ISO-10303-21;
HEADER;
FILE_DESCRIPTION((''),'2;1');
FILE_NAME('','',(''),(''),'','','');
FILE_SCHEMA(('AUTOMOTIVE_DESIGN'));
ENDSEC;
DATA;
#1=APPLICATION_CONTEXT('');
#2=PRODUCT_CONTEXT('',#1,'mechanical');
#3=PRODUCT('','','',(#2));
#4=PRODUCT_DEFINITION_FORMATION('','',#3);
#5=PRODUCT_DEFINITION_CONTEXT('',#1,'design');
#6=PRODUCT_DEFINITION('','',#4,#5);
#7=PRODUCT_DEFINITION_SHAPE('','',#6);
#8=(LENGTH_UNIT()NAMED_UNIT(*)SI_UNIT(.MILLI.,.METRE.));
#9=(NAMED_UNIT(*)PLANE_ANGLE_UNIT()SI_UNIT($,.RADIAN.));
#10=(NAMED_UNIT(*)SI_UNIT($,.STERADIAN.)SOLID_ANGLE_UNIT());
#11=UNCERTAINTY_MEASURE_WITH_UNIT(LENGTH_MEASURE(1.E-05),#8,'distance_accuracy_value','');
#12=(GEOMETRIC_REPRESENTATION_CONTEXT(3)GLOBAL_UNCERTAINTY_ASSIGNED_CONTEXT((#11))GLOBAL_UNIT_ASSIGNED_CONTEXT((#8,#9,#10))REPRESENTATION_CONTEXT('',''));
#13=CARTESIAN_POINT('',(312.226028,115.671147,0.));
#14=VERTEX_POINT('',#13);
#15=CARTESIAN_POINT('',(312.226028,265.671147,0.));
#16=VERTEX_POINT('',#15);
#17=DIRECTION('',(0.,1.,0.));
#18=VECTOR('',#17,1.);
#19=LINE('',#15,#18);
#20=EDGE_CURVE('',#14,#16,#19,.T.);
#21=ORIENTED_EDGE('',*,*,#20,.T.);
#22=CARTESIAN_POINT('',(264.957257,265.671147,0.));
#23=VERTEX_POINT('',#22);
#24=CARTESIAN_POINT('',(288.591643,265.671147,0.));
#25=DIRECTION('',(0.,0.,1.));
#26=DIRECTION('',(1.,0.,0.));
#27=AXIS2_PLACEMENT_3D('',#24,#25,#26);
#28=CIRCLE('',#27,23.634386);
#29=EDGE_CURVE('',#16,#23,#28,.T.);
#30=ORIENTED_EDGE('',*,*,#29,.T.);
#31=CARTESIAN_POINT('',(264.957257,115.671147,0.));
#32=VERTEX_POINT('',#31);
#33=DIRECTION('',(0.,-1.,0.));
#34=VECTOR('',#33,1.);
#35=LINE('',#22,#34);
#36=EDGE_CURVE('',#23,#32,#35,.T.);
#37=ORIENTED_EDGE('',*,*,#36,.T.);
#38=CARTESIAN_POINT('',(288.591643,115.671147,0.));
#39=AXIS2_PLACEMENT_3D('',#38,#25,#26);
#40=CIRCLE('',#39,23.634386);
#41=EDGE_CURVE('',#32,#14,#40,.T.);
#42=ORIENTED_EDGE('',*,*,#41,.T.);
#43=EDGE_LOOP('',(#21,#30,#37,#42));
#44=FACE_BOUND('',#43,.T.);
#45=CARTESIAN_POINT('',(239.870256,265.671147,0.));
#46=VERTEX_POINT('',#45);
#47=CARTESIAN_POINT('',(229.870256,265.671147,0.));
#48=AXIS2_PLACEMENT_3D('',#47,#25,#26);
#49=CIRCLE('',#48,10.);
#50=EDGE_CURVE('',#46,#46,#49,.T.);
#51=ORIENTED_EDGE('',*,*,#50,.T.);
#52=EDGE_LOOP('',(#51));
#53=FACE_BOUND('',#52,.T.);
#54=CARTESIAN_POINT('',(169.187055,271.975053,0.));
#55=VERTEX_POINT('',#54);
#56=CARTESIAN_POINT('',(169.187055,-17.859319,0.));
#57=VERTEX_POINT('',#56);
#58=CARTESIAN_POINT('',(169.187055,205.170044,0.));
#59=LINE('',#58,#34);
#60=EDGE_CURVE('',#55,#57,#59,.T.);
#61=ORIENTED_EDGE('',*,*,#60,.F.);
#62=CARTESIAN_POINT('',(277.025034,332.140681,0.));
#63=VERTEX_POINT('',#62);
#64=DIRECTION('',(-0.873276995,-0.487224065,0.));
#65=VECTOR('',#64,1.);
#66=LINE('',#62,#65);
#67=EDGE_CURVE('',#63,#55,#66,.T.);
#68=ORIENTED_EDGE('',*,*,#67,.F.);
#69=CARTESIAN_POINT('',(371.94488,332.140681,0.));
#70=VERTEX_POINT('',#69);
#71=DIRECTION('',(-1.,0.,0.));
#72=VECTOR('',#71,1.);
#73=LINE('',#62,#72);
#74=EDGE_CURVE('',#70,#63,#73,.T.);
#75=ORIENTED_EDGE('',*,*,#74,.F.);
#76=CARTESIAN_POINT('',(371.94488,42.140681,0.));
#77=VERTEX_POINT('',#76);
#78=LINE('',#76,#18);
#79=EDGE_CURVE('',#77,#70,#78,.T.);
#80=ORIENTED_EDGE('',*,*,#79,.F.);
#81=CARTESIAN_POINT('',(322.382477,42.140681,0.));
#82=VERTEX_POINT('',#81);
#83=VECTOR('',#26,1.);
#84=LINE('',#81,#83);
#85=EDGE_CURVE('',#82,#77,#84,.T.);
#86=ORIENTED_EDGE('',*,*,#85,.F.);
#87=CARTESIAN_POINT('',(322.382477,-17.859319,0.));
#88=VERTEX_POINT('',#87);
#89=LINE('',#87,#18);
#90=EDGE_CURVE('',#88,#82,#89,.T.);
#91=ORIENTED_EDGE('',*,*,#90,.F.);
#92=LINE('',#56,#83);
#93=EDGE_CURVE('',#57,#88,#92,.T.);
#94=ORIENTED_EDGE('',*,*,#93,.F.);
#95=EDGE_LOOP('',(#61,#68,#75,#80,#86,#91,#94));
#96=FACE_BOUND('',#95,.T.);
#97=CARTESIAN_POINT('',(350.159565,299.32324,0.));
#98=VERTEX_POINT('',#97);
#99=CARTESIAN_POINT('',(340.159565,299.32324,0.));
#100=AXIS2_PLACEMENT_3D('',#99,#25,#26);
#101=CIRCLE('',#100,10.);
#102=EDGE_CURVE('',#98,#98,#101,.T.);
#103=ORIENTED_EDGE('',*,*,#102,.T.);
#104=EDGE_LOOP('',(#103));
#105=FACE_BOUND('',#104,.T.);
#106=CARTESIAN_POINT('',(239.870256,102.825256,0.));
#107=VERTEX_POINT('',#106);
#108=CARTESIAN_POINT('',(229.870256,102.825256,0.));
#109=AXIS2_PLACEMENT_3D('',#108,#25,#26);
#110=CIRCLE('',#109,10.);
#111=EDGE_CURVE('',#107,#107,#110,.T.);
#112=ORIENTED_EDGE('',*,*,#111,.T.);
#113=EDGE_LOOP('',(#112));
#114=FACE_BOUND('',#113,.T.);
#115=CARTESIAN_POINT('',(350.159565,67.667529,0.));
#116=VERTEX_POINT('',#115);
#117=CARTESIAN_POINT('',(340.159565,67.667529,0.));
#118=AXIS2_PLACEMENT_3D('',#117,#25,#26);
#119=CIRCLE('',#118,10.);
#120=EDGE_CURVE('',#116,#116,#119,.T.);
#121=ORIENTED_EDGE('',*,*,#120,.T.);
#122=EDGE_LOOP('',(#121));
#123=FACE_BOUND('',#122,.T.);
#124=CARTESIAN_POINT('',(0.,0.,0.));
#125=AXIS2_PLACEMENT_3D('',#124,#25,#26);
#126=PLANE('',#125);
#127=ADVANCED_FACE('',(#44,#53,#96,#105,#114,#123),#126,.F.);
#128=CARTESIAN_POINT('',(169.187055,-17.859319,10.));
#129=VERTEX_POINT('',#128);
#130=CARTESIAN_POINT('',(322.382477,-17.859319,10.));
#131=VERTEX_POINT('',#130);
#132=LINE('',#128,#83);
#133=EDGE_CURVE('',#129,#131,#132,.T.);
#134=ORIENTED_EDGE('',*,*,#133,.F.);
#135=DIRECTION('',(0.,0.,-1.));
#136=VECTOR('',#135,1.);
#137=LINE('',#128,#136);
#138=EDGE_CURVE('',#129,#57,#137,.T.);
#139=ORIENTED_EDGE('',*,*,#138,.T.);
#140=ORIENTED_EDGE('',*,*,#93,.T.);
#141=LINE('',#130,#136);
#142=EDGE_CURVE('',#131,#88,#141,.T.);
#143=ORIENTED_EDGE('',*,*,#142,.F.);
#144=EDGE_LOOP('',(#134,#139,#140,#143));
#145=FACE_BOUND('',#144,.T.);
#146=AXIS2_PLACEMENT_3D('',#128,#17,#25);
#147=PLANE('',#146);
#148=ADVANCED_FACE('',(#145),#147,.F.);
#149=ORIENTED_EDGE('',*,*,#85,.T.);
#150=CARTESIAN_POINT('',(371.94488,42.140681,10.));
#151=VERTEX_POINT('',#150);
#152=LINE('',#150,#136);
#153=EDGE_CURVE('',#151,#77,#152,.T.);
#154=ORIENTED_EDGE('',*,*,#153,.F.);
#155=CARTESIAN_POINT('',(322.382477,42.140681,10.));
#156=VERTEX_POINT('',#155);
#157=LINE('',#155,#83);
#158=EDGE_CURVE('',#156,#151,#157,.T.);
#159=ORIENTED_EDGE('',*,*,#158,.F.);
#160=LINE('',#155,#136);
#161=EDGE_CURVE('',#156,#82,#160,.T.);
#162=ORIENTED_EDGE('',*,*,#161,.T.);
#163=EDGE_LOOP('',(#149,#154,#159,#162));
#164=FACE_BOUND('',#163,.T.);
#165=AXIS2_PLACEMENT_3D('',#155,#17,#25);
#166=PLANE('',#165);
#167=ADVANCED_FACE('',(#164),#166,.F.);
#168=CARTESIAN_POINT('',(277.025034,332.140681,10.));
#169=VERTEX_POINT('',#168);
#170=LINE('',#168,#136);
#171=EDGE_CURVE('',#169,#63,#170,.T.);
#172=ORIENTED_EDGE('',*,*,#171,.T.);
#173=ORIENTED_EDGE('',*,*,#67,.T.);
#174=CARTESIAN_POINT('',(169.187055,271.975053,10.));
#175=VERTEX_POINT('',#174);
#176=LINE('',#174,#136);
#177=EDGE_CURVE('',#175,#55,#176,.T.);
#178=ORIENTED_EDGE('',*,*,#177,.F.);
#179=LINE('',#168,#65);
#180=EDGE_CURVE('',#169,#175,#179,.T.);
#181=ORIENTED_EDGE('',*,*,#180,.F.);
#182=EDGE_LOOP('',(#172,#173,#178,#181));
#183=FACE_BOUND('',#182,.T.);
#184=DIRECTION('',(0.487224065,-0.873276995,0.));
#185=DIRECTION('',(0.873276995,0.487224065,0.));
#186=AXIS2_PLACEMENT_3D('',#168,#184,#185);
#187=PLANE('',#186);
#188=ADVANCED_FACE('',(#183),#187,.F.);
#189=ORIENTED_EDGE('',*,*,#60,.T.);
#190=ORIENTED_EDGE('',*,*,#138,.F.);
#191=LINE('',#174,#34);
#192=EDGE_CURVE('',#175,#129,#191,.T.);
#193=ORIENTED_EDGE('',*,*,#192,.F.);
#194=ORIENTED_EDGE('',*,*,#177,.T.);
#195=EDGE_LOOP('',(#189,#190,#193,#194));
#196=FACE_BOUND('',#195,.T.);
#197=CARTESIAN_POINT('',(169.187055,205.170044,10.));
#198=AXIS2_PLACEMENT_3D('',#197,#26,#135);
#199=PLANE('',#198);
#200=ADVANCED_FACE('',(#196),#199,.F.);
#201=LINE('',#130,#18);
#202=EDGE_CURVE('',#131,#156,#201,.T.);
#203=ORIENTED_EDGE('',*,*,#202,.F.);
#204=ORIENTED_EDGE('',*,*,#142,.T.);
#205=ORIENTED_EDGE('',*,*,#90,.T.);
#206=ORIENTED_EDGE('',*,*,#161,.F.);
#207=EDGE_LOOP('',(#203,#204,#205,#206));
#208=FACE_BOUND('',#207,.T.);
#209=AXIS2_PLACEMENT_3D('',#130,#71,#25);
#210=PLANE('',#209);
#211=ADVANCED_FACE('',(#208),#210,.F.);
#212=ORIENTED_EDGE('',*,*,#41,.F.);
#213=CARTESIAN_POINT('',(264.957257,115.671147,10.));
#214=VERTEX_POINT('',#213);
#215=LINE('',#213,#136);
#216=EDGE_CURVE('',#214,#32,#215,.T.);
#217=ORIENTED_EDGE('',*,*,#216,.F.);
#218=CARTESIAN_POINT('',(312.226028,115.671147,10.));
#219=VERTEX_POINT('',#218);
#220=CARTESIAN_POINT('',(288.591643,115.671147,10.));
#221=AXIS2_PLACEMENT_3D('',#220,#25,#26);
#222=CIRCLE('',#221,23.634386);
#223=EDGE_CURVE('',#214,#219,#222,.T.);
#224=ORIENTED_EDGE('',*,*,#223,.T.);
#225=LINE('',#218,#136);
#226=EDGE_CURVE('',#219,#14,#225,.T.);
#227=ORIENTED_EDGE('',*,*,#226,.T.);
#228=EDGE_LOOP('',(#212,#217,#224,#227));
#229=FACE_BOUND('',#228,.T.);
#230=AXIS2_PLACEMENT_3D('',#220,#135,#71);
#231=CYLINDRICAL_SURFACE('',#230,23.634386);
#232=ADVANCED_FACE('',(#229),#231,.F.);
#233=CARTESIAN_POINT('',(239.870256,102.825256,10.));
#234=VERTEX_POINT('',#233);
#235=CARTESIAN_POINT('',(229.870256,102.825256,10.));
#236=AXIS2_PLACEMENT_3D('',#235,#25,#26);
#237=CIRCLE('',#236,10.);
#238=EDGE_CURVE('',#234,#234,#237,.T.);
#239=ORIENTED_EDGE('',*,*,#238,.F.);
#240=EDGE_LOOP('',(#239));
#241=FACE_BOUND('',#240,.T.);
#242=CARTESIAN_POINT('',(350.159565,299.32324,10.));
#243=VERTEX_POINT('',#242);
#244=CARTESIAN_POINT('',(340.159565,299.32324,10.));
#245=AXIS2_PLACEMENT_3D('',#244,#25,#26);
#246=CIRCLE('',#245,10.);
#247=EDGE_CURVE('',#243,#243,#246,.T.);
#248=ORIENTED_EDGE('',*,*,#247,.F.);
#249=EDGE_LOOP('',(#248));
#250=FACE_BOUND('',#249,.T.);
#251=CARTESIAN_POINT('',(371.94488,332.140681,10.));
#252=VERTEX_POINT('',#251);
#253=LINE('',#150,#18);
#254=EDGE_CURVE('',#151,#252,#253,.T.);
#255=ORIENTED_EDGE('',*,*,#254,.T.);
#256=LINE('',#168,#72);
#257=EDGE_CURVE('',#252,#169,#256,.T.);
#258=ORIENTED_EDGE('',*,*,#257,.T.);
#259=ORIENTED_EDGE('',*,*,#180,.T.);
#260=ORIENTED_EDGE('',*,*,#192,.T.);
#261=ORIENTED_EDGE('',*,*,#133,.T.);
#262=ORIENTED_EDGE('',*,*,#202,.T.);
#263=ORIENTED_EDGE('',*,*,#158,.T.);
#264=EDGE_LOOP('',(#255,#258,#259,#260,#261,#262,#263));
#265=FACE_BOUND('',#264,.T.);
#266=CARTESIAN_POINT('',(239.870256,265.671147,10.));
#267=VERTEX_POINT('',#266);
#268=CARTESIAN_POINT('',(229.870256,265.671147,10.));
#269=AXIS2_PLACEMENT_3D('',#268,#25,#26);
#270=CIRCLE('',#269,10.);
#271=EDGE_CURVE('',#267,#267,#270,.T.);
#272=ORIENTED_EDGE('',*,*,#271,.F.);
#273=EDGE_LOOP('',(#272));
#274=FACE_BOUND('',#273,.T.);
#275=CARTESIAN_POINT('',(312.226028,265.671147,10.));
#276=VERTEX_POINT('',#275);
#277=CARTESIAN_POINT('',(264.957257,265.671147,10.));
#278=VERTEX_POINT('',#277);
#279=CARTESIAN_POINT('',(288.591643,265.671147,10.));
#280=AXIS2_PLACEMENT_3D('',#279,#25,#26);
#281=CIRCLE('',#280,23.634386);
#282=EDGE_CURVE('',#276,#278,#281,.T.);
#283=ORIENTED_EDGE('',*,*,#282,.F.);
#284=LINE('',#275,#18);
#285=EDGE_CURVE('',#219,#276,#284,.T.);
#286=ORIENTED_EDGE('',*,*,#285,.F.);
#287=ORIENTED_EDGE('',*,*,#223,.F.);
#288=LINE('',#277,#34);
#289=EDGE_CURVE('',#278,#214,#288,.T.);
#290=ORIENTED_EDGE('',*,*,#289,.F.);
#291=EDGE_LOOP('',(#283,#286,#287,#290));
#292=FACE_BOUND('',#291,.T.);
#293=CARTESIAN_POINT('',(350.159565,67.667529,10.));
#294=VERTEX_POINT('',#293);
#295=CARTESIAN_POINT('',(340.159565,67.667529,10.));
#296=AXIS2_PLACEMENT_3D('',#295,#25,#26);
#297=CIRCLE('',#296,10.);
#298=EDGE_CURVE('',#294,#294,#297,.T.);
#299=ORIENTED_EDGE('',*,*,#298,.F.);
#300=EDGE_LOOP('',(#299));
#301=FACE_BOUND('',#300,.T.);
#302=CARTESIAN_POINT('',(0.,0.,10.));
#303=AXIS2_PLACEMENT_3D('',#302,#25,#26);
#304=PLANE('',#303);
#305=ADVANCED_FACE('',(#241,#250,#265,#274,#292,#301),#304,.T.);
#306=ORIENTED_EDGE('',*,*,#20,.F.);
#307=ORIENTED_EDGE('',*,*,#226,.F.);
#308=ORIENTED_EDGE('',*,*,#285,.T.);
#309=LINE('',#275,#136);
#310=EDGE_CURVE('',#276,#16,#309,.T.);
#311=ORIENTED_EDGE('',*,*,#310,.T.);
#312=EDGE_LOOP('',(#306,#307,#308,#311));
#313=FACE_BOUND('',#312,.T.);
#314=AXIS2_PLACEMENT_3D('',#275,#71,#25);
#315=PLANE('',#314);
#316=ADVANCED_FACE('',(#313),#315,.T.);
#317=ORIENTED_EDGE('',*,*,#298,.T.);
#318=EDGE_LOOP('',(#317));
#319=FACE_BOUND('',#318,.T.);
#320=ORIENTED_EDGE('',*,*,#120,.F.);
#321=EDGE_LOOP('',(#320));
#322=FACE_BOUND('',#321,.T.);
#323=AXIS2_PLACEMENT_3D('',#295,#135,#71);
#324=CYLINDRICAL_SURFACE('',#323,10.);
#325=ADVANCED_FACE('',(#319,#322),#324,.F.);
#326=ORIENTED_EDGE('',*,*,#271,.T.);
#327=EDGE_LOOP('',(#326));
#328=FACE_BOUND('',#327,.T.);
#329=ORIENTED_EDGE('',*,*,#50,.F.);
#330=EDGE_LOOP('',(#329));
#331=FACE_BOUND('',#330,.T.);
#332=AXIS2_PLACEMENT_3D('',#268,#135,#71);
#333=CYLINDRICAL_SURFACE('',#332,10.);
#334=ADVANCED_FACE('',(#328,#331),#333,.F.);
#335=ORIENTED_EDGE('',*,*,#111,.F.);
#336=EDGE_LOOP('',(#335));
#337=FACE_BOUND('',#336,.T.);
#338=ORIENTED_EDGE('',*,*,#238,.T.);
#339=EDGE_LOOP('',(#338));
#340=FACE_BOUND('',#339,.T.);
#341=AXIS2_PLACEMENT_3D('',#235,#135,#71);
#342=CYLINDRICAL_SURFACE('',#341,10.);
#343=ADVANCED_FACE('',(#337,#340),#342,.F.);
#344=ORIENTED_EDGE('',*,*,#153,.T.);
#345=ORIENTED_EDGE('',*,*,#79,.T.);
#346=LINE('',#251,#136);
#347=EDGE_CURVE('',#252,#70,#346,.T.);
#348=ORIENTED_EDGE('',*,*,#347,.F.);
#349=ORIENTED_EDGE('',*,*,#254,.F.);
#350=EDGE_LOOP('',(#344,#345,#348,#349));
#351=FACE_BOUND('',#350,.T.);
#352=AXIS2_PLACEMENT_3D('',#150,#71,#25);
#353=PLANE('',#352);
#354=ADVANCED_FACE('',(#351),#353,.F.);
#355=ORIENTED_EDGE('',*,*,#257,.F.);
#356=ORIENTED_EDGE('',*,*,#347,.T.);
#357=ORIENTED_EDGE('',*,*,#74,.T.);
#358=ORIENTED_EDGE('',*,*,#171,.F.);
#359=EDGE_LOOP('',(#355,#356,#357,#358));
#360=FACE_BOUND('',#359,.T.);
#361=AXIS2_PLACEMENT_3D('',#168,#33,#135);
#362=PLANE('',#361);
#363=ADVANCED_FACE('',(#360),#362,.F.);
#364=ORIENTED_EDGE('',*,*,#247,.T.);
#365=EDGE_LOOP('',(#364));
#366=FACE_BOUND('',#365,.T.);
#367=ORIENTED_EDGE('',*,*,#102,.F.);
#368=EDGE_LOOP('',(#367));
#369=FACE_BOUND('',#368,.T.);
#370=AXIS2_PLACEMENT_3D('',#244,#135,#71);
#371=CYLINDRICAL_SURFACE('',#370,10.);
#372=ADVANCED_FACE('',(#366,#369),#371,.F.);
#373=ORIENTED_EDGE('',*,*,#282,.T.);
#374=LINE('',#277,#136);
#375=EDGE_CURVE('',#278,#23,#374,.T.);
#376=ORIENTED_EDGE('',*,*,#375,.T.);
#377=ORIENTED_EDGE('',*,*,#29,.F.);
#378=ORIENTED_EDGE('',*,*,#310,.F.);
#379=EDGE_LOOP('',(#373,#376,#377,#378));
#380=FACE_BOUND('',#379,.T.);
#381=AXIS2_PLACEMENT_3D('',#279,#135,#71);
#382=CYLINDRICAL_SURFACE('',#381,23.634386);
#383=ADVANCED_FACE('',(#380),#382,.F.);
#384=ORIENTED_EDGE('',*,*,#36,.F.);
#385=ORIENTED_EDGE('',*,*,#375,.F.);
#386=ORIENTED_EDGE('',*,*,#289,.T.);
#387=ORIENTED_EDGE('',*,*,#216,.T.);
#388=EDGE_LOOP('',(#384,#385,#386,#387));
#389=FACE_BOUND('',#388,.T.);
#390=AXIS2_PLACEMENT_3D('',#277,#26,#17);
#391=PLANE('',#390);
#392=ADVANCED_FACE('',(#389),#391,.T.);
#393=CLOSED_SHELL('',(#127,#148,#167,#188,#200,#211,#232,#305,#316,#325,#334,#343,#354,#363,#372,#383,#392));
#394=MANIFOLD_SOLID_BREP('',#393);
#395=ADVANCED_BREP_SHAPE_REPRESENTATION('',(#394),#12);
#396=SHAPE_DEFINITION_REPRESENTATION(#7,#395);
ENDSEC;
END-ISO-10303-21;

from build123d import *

# Parameters (mm, degrees)
SKETCH1_R           = 10
BOSS_EXTRUDE1_DEPTH = 10


with BuildPart() as part:
    # Sketch1 → Boss-Extrude1 (new body)
    with BuildSketch(Plane.XY):
        Polygon((322.382476836, -17.859318996), (322.382476836, 42.140681004), (371.94488009, 42.140681004), (371.94488009, 332.140681004), (277.025034275, 332.140681004), (169.187054595, 271.975052979), (169.187054595, 205.170044114), (169.187054595, -17.859318996), align=None)
        with Locations((229.870255563, 265.671146953)):
            Circle(SKETCH1_R, mode=Mode.SUBTRACT)
        with Locations((229.870255563, 102.825256229)):
            Circle(SKETCH1_R, mode=Mode.SUBTRACT)
        with Locations((340.159565259, 299.323240315)):
            Circle(SKETCH1_R, mode=Mode.SUBTRACT)
        with Locations((340.159565259, 67.667528684)):
            Circle(SKETCH1_R, mode=Mode.SUBTRACT)
        with BuildLine():
            Line((312.226028305, 265.671146953), (312.226028305, 115.671146953))
            ThreePointArc((312.226028305, 115.671146953), (288.591642629, 92.036761277), (264.957256952, 115.671146953))
            Line((264.957256952, 115.671146953), (264.957256952, 265.671146953))
            ThreePointArc((264.957256952, 265.671146953), (288.591642629, 289.30553263), (312.226028305, 265.671146953))
        make_face(mode=Mode.SUBTRACT)
    extrude(amount=BOSS_EXTRUDE1_DEPTH)


solid = part.part
